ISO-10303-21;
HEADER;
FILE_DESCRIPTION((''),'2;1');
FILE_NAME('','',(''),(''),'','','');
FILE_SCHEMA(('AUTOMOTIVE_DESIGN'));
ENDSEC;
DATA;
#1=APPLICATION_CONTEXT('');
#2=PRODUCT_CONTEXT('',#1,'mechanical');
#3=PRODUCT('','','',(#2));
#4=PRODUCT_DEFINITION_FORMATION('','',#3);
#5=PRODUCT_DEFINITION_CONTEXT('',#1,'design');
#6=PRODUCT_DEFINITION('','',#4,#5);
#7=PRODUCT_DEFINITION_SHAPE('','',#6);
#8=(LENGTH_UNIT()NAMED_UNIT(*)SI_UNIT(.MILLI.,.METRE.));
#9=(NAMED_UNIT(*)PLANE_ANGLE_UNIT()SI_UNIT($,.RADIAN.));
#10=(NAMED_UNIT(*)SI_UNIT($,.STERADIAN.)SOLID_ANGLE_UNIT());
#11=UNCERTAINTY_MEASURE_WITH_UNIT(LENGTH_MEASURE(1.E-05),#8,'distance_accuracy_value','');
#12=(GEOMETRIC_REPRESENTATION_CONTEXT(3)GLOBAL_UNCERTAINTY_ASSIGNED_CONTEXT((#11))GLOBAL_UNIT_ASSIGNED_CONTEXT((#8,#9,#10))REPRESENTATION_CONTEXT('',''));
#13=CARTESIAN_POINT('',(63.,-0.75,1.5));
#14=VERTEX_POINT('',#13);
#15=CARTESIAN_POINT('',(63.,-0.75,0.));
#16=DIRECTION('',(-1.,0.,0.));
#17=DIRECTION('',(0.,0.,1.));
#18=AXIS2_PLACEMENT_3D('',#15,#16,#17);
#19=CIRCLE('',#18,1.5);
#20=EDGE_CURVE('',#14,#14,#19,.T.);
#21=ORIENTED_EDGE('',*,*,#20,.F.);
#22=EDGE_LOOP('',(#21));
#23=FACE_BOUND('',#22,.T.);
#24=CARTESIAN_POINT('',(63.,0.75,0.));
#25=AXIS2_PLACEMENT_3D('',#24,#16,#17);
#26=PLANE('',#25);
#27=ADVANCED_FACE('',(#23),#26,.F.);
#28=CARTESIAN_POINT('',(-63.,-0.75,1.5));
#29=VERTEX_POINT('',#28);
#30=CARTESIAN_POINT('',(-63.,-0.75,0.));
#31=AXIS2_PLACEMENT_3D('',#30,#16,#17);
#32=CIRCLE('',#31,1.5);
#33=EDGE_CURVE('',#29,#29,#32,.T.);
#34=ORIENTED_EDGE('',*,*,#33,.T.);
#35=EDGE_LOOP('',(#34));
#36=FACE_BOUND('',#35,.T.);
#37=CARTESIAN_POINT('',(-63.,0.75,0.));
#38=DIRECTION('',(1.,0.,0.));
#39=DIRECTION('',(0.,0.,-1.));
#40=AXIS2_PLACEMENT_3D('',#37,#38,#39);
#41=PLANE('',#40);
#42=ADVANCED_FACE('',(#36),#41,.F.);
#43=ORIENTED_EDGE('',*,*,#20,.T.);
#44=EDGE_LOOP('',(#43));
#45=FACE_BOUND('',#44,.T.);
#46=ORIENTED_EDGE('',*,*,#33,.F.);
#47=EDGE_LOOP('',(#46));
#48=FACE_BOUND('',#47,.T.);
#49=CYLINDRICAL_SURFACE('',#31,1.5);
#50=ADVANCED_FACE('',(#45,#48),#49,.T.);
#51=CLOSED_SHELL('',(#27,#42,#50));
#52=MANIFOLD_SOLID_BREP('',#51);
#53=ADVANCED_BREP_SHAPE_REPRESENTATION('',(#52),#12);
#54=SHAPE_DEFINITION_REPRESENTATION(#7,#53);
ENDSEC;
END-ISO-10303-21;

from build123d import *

# Parameters (mm, degrees)
SKETCH1_W = 126
SKETCH1_H = 1.5


with BuildPart() as part:
    # Sketch1 → Revolve1 (revolve)
    with BuildSketch(Plane.XY):
        Rectangle(SKETCH1_W, SKETCH1_H)
    revolve(axis=Axis((-63, -0.75, 0), (1, 0, 0)))


solid = part.part
